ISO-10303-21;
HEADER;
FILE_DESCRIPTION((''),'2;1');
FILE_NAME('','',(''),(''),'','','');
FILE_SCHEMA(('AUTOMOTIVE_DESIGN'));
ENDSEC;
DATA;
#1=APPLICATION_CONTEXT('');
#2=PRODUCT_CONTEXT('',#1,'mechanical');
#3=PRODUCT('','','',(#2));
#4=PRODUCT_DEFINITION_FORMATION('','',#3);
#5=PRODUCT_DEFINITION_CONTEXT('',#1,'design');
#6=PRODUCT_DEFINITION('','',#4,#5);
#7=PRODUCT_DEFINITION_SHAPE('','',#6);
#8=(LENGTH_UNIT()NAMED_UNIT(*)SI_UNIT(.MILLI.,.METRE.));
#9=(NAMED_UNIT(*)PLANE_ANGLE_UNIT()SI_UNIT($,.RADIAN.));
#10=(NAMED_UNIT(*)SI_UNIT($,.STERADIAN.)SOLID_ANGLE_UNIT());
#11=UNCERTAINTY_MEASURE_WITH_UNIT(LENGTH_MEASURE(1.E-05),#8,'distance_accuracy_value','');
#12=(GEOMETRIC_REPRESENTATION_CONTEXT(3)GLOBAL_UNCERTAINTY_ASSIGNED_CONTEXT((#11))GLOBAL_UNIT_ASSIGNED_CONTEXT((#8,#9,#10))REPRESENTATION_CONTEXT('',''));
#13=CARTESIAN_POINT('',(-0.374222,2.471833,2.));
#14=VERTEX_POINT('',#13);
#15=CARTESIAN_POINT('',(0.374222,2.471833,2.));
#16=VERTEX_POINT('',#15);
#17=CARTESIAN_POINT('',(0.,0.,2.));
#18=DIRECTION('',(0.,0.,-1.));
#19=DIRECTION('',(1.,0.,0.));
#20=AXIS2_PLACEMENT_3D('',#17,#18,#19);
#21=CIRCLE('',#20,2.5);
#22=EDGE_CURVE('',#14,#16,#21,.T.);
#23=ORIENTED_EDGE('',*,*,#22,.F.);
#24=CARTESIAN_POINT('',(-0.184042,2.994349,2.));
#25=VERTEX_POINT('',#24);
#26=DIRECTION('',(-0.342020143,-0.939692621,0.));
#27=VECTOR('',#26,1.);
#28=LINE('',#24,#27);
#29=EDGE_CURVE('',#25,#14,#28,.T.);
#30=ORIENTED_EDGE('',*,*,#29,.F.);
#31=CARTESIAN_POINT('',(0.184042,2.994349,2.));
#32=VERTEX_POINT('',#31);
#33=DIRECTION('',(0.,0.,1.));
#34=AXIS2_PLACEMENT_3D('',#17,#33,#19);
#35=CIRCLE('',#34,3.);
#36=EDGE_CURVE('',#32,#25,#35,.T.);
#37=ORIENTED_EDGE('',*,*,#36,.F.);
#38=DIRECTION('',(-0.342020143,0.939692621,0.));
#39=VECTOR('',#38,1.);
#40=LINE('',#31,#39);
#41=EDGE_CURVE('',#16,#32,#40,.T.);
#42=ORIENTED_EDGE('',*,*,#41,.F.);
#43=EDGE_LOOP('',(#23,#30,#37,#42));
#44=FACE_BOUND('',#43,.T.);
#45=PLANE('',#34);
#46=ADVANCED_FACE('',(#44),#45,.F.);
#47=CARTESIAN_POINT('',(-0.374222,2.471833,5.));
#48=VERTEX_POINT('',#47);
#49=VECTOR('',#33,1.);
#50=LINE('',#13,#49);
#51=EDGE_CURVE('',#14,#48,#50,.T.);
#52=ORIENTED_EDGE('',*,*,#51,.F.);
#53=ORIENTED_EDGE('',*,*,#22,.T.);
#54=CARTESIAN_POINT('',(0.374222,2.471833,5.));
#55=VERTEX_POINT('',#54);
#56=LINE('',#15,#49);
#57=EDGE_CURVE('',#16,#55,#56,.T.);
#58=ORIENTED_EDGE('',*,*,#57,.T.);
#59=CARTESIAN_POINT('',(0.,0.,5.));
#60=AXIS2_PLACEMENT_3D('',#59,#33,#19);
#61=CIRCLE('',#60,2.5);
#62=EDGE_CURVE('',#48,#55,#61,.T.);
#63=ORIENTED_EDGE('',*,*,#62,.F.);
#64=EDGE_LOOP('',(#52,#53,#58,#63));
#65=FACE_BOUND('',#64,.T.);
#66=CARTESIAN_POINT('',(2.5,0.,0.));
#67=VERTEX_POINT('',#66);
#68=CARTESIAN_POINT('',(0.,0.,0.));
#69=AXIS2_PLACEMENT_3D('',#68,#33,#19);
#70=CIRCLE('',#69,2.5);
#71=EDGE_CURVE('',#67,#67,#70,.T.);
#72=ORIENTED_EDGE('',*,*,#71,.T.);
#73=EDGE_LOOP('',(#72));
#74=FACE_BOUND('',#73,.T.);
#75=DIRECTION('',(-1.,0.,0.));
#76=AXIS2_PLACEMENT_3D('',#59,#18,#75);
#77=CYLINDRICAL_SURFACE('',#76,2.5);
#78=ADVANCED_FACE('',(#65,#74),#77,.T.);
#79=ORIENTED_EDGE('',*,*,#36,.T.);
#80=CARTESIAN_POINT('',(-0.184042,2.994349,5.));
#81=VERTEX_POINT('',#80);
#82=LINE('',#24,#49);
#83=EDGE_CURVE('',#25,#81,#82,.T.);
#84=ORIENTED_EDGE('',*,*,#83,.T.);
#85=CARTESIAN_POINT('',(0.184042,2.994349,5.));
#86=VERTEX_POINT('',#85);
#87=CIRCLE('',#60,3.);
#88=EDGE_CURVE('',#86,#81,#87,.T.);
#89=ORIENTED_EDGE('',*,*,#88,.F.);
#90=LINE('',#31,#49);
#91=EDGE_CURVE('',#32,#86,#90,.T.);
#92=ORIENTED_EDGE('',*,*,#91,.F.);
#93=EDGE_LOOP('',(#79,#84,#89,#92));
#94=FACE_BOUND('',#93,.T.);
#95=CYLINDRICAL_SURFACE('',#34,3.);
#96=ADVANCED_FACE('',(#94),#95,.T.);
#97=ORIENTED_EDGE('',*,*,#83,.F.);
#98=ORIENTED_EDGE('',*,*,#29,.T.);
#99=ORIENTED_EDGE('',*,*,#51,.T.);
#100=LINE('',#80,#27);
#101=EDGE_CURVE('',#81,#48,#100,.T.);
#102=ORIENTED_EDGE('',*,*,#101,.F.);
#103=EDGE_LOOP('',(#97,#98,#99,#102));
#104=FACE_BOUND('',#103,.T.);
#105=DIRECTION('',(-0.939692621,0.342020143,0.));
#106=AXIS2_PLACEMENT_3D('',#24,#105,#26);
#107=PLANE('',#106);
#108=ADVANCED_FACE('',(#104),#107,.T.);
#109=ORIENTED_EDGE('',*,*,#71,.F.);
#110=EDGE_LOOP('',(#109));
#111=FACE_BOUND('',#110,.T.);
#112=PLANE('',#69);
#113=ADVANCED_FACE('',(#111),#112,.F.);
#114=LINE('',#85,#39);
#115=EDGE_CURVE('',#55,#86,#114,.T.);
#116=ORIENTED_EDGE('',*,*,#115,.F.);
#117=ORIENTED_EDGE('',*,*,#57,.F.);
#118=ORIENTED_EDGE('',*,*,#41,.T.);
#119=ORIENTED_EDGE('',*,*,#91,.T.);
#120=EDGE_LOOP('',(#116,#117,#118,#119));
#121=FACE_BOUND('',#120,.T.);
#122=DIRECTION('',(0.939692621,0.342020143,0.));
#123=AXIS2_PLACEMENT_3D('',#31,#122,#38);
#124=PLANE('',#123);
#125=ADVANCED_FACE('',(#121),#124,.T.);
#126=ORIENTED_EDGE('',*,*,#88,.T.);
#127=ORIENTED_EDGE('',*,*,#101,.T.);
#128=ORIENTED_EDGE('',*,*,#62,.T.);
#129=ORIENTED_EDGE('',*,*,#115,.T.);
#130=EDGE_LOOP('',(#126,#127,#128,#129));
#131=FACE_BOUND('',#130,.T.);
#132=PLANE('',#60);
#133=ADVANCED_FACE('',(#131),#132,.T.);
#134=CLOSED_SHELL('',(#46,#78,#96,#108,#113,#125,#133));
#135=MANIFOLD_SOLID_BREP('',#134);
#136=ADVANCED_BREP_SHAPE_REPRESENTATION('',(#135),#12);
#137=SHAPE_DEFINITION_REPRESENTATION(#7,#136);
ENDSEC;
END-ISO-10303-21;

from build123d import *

# Parameters (mm, degrees)
SKETCH_1_R      = 2.5
EXTRUDE_1_DEPTH = 5
EXTRUDE_2_DEPTH = 3


with BuildPart() as part:
    # 草图1 → 凸台-拉伸1 (new body)
    with BuildSketch(Plane.XY):
        Circle(SKETCH_1_R)
    extrude(amount=EXTRUDE_1_DEPTH)

    # 草图2 → 凸台-拉伸2 (add)
    with BuildSketch(Plane.XY.offset(5)):
        with BuildLine():
            Line((-0.184041749, 2.994349451), (-0.374222232, 2.471832867))
            ThreePointArc((-0.374222232, 2.471832867), (0, 2.5), (0.374222232, 2.471832867))
            Line((0.374222232, 2.471832867), (0.184041749, 2.994349451))
            ThreePointArc((0.184041749, 2.994349451), (0, 3), (-0.184041749, 2.994349451))
        make_face()
    extrude(amount=-EXTRUDE_2_DEPTH)


solid = part.part
